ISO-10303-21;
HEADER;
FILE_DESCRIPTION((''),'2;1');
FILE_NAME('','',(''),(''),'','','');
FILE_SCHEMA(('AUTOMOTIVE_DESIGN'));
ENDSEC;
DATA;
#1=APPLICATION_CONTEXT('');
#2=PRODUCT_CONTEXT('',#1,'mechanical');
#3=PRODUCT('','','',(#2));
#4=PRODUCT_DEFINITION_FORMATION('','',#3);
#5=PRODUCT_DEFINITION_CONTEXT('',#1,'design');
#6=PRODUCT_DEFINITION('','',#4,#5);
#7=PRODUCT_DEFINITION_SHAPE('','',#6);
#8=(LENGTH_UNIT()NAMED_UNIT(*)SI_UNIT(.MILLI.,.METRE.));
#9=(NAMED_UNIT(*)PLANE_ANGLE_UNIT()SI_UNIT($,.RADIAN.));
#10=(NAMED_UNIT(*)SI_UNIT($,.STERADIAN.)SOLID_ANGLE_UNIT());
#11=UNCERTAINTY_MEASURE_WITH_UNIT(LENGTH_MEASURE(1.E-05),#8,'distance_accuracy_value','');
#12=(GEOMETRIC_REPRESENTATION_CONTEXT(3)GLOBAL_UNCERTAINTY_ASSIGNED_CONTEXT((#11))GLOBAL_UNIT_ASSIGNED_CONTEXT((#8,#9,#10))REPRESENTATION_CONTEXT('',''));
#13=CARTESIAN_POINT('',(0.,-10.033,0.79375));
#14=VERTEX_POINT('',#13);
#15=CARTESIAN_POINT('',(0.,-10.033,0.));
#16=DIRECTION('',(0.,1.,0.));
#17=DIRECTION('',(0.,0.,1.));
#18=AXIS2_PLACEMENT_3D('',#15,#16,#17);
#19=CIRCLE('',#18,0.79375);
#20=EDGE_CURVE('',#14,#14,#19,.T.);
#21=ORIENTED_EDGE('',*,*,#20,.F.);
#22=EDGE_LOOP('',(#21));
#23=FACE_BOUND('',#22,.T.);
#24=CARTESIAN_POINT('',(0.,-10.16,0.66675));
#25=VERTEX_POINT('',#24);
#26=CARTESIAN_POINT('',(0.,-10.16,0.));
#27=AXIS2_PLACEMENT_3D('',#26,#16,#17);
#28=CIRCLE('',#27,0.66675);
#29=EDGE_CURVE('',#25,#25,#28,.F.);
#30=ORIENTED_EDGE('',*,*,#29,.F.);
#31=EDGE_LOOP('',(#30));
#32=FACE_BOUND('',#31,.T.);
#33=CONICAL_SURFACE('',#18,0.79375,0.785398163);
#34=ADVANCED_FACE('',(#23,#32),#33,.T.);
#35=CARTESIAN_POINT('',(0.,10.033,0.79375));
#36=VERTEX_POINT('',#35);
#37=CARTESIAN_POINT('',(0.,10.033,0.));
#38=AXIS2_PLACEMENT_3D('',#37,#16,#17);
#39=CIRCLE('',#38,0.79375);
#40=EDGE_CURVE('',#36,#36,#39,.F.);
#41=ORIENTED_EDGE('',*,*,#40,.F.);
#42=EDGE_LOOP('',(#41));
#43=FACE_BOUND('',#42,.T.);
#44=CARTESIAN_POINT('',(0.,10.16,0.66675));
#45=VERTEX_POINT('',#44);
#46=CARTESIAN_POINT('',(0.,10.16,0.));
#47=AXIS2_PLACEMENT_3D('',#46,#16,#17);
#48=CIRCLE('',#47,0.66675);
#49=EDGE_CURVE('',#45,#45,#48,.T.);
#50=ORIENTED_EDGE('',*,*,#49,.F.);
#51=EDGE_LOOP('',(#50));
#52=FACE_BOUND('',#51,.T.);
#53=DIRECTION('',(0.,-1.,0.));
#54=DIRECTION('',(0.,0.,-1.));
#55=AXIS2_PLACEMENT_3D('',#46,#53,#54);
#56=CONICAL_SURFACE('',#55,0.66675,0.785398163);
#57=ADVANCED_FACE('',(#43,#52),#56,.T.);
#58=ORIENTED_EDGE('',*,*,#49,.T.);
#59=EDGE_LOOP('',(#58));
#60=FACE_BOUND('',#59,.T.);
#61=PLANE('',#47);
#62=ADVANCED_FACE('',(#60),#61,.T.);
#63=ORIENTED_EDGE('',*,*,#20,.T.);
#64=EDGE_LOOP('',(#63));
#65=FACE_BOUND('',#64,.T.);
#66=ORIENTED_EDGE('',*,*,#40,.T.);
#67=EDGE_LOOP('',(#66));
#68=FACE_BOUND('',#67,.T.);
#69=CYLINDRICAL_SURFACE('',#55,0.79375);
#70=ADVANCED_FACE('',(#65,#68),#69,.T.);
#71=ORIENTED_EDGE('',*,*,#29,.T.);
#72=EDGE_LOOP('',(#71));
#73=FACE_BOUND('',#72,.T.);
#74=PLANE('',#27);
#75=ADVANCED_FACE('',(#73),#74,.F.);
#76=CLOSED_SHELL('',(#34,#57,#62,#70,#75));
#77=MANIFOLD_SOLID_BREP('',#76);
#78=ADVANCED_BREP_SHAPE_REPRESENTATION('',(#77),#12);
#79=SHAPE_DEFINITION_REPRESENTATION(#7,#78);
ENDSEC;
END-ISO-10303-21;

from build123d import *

# Parameters (mm, degrees)
SKETCH1_R      = 0.79375
EXTRUDE1_DEPTH = 10.16
CHAMFER1_SIZE  = 0.127


with BuildPart() as part:
    # Sketch1 → Extrude1 (new, symmetric)
    with BuildSketch(Plane(origin=(0, 0, 0), x_dir=(1, 0, 0), z_dir=(0, 1, 0))):
        with Locations(Location((0, 0, 0), (0, 0, 270))):
            Circle(SKETCH1_R)
    extrude(amount=EXTRUDE1_DEPTH, both=True)

    # Chamfer1
    chamfer1_edges = [part.edges().sort_by_distance(p)[0] for p in [
        (0, -10.16, -0.79375),
        (0, 10.16, -0.79375),
    ]]
    chamfer(chamfer1_edges, length=CHAMFER1_SIZE)


solid = part.part
